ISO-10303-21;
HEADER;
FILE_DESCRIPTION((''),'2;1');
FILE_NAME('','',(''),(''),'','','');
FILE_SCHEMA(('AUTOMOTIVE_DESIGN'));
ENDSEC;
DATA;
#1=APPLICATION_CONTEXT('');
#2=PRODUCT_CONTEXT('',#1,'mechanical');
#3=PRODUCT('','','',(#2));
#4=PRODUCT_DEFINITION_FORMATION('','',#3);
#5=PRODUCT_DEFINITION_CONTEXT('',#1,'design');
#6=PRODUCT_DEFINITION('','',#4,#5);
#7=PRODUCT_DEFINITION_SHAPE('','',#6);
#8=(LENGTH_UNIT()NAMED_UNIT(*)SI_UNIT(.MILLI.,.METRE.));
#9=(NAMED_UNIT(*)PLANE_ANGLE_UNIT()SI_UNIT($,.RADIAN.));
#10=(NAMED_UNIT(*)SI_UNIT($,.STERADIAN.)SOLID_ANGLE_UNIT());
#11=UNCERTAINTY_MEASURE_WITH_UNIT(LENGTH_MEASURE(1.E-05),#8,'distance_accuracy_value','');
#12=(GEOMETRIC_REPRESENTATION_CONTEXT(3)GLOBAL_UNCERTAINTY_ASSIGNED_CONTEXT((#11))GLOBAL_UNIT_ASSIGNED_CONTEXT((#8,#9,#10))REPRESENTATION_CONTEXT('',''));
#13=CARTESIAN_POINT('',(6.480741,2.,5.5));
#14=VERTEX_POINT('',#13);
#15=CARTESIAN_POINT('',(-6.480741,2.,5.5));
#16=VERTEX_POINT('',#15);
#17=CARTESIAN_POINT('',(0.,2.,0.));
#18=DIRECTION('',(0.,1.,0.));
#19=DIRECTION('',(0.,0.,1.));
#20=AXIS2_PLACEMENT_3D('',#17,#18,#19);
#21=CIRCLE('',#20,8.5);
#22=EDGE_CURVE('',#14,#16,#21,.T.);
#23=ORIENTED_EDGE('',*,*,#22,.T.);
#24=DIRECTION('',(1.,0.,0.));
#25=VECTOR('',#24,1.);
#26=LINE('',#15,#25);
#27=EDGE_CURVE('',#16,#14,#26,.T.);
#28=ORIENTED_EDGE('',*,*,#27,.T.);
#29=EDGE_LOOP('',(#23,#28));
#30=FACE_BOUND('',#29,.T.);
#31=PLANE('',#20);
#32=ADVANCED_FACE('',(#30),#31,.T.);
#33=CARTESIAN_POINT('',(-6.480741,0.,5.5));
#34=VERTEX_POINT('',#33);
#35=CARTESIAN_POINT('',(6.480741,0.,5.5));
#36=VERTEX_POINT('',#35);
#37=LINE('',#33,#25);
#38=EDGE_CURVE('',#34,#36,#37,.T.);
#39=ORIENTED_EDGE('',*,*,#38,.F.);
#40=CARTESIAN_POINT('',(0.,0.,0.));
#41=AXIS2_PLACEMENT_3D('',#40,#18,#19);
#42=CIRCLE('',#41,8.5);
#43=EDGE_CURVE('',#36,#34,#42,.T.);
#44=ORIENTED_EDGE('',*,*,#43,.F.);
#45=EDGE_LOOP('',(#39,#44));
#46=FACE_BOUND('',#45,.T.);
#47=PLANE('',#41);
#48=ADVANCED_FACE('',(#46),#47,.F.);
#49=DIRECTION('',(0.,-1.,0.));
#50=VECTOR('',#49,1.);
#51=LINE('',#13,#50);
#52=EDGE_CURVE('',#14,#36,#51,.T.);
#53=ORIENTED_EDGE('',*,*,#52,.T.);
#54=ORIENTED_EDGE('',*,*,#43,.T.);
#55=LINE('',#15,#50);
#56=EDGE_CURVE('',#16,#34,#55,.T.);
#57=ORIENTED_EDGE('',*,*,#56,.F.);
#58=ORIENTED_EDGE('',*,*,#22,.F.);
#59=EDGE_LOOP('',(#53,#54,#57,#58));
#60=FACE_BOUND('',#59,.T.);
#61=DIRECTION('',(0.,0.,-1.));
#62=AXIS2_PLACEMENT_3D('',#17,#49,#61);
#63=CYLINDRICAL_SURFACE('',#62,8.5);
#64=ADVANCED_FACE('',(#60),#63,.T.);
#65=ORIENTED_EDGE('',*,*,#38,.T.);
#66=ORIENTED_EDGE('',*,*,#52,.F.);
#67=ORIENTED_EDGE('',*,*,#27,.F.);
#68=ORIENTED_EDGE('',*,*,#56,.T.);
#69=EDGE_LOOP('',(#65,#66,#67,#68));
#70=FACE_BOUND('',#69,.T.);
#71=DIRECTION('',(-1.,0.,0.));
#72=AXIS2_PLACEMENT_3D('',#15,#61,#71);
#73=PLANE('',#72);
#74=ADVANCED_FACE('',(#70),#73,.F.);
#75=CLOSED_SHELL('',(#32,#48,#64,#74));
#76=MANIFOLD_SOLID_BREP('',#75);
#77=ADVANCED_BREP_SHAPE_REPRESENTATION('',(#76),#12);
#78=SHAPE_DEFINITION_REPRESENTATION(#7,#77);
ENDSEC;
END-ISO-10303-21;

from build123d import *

# Parameters (mm, degrees)
DODANIE_WYCI_GNI_CIE1_DEPTH = 2


with BuildPart() as part:
    # Szkic1 → Dodanie-wyciągnięcie1 (new body)
    with BuildSketch(Plane(origin=(0, 0, 0), x_dir=(1, 0, 0), z_dir=(0, 1, 0))):
        with BuildLine():
            Line((-6.480740698, -5.5), (6.480740698, -5.5))
            ThreePointArc((6.480740698, -5.5), (0, 8.5), (-6.480740698, -5.5))
        make_face()
    extrude(amount=DODANIE_WYCI_GNI_CIE1_DEPTH)


solid = part.part
